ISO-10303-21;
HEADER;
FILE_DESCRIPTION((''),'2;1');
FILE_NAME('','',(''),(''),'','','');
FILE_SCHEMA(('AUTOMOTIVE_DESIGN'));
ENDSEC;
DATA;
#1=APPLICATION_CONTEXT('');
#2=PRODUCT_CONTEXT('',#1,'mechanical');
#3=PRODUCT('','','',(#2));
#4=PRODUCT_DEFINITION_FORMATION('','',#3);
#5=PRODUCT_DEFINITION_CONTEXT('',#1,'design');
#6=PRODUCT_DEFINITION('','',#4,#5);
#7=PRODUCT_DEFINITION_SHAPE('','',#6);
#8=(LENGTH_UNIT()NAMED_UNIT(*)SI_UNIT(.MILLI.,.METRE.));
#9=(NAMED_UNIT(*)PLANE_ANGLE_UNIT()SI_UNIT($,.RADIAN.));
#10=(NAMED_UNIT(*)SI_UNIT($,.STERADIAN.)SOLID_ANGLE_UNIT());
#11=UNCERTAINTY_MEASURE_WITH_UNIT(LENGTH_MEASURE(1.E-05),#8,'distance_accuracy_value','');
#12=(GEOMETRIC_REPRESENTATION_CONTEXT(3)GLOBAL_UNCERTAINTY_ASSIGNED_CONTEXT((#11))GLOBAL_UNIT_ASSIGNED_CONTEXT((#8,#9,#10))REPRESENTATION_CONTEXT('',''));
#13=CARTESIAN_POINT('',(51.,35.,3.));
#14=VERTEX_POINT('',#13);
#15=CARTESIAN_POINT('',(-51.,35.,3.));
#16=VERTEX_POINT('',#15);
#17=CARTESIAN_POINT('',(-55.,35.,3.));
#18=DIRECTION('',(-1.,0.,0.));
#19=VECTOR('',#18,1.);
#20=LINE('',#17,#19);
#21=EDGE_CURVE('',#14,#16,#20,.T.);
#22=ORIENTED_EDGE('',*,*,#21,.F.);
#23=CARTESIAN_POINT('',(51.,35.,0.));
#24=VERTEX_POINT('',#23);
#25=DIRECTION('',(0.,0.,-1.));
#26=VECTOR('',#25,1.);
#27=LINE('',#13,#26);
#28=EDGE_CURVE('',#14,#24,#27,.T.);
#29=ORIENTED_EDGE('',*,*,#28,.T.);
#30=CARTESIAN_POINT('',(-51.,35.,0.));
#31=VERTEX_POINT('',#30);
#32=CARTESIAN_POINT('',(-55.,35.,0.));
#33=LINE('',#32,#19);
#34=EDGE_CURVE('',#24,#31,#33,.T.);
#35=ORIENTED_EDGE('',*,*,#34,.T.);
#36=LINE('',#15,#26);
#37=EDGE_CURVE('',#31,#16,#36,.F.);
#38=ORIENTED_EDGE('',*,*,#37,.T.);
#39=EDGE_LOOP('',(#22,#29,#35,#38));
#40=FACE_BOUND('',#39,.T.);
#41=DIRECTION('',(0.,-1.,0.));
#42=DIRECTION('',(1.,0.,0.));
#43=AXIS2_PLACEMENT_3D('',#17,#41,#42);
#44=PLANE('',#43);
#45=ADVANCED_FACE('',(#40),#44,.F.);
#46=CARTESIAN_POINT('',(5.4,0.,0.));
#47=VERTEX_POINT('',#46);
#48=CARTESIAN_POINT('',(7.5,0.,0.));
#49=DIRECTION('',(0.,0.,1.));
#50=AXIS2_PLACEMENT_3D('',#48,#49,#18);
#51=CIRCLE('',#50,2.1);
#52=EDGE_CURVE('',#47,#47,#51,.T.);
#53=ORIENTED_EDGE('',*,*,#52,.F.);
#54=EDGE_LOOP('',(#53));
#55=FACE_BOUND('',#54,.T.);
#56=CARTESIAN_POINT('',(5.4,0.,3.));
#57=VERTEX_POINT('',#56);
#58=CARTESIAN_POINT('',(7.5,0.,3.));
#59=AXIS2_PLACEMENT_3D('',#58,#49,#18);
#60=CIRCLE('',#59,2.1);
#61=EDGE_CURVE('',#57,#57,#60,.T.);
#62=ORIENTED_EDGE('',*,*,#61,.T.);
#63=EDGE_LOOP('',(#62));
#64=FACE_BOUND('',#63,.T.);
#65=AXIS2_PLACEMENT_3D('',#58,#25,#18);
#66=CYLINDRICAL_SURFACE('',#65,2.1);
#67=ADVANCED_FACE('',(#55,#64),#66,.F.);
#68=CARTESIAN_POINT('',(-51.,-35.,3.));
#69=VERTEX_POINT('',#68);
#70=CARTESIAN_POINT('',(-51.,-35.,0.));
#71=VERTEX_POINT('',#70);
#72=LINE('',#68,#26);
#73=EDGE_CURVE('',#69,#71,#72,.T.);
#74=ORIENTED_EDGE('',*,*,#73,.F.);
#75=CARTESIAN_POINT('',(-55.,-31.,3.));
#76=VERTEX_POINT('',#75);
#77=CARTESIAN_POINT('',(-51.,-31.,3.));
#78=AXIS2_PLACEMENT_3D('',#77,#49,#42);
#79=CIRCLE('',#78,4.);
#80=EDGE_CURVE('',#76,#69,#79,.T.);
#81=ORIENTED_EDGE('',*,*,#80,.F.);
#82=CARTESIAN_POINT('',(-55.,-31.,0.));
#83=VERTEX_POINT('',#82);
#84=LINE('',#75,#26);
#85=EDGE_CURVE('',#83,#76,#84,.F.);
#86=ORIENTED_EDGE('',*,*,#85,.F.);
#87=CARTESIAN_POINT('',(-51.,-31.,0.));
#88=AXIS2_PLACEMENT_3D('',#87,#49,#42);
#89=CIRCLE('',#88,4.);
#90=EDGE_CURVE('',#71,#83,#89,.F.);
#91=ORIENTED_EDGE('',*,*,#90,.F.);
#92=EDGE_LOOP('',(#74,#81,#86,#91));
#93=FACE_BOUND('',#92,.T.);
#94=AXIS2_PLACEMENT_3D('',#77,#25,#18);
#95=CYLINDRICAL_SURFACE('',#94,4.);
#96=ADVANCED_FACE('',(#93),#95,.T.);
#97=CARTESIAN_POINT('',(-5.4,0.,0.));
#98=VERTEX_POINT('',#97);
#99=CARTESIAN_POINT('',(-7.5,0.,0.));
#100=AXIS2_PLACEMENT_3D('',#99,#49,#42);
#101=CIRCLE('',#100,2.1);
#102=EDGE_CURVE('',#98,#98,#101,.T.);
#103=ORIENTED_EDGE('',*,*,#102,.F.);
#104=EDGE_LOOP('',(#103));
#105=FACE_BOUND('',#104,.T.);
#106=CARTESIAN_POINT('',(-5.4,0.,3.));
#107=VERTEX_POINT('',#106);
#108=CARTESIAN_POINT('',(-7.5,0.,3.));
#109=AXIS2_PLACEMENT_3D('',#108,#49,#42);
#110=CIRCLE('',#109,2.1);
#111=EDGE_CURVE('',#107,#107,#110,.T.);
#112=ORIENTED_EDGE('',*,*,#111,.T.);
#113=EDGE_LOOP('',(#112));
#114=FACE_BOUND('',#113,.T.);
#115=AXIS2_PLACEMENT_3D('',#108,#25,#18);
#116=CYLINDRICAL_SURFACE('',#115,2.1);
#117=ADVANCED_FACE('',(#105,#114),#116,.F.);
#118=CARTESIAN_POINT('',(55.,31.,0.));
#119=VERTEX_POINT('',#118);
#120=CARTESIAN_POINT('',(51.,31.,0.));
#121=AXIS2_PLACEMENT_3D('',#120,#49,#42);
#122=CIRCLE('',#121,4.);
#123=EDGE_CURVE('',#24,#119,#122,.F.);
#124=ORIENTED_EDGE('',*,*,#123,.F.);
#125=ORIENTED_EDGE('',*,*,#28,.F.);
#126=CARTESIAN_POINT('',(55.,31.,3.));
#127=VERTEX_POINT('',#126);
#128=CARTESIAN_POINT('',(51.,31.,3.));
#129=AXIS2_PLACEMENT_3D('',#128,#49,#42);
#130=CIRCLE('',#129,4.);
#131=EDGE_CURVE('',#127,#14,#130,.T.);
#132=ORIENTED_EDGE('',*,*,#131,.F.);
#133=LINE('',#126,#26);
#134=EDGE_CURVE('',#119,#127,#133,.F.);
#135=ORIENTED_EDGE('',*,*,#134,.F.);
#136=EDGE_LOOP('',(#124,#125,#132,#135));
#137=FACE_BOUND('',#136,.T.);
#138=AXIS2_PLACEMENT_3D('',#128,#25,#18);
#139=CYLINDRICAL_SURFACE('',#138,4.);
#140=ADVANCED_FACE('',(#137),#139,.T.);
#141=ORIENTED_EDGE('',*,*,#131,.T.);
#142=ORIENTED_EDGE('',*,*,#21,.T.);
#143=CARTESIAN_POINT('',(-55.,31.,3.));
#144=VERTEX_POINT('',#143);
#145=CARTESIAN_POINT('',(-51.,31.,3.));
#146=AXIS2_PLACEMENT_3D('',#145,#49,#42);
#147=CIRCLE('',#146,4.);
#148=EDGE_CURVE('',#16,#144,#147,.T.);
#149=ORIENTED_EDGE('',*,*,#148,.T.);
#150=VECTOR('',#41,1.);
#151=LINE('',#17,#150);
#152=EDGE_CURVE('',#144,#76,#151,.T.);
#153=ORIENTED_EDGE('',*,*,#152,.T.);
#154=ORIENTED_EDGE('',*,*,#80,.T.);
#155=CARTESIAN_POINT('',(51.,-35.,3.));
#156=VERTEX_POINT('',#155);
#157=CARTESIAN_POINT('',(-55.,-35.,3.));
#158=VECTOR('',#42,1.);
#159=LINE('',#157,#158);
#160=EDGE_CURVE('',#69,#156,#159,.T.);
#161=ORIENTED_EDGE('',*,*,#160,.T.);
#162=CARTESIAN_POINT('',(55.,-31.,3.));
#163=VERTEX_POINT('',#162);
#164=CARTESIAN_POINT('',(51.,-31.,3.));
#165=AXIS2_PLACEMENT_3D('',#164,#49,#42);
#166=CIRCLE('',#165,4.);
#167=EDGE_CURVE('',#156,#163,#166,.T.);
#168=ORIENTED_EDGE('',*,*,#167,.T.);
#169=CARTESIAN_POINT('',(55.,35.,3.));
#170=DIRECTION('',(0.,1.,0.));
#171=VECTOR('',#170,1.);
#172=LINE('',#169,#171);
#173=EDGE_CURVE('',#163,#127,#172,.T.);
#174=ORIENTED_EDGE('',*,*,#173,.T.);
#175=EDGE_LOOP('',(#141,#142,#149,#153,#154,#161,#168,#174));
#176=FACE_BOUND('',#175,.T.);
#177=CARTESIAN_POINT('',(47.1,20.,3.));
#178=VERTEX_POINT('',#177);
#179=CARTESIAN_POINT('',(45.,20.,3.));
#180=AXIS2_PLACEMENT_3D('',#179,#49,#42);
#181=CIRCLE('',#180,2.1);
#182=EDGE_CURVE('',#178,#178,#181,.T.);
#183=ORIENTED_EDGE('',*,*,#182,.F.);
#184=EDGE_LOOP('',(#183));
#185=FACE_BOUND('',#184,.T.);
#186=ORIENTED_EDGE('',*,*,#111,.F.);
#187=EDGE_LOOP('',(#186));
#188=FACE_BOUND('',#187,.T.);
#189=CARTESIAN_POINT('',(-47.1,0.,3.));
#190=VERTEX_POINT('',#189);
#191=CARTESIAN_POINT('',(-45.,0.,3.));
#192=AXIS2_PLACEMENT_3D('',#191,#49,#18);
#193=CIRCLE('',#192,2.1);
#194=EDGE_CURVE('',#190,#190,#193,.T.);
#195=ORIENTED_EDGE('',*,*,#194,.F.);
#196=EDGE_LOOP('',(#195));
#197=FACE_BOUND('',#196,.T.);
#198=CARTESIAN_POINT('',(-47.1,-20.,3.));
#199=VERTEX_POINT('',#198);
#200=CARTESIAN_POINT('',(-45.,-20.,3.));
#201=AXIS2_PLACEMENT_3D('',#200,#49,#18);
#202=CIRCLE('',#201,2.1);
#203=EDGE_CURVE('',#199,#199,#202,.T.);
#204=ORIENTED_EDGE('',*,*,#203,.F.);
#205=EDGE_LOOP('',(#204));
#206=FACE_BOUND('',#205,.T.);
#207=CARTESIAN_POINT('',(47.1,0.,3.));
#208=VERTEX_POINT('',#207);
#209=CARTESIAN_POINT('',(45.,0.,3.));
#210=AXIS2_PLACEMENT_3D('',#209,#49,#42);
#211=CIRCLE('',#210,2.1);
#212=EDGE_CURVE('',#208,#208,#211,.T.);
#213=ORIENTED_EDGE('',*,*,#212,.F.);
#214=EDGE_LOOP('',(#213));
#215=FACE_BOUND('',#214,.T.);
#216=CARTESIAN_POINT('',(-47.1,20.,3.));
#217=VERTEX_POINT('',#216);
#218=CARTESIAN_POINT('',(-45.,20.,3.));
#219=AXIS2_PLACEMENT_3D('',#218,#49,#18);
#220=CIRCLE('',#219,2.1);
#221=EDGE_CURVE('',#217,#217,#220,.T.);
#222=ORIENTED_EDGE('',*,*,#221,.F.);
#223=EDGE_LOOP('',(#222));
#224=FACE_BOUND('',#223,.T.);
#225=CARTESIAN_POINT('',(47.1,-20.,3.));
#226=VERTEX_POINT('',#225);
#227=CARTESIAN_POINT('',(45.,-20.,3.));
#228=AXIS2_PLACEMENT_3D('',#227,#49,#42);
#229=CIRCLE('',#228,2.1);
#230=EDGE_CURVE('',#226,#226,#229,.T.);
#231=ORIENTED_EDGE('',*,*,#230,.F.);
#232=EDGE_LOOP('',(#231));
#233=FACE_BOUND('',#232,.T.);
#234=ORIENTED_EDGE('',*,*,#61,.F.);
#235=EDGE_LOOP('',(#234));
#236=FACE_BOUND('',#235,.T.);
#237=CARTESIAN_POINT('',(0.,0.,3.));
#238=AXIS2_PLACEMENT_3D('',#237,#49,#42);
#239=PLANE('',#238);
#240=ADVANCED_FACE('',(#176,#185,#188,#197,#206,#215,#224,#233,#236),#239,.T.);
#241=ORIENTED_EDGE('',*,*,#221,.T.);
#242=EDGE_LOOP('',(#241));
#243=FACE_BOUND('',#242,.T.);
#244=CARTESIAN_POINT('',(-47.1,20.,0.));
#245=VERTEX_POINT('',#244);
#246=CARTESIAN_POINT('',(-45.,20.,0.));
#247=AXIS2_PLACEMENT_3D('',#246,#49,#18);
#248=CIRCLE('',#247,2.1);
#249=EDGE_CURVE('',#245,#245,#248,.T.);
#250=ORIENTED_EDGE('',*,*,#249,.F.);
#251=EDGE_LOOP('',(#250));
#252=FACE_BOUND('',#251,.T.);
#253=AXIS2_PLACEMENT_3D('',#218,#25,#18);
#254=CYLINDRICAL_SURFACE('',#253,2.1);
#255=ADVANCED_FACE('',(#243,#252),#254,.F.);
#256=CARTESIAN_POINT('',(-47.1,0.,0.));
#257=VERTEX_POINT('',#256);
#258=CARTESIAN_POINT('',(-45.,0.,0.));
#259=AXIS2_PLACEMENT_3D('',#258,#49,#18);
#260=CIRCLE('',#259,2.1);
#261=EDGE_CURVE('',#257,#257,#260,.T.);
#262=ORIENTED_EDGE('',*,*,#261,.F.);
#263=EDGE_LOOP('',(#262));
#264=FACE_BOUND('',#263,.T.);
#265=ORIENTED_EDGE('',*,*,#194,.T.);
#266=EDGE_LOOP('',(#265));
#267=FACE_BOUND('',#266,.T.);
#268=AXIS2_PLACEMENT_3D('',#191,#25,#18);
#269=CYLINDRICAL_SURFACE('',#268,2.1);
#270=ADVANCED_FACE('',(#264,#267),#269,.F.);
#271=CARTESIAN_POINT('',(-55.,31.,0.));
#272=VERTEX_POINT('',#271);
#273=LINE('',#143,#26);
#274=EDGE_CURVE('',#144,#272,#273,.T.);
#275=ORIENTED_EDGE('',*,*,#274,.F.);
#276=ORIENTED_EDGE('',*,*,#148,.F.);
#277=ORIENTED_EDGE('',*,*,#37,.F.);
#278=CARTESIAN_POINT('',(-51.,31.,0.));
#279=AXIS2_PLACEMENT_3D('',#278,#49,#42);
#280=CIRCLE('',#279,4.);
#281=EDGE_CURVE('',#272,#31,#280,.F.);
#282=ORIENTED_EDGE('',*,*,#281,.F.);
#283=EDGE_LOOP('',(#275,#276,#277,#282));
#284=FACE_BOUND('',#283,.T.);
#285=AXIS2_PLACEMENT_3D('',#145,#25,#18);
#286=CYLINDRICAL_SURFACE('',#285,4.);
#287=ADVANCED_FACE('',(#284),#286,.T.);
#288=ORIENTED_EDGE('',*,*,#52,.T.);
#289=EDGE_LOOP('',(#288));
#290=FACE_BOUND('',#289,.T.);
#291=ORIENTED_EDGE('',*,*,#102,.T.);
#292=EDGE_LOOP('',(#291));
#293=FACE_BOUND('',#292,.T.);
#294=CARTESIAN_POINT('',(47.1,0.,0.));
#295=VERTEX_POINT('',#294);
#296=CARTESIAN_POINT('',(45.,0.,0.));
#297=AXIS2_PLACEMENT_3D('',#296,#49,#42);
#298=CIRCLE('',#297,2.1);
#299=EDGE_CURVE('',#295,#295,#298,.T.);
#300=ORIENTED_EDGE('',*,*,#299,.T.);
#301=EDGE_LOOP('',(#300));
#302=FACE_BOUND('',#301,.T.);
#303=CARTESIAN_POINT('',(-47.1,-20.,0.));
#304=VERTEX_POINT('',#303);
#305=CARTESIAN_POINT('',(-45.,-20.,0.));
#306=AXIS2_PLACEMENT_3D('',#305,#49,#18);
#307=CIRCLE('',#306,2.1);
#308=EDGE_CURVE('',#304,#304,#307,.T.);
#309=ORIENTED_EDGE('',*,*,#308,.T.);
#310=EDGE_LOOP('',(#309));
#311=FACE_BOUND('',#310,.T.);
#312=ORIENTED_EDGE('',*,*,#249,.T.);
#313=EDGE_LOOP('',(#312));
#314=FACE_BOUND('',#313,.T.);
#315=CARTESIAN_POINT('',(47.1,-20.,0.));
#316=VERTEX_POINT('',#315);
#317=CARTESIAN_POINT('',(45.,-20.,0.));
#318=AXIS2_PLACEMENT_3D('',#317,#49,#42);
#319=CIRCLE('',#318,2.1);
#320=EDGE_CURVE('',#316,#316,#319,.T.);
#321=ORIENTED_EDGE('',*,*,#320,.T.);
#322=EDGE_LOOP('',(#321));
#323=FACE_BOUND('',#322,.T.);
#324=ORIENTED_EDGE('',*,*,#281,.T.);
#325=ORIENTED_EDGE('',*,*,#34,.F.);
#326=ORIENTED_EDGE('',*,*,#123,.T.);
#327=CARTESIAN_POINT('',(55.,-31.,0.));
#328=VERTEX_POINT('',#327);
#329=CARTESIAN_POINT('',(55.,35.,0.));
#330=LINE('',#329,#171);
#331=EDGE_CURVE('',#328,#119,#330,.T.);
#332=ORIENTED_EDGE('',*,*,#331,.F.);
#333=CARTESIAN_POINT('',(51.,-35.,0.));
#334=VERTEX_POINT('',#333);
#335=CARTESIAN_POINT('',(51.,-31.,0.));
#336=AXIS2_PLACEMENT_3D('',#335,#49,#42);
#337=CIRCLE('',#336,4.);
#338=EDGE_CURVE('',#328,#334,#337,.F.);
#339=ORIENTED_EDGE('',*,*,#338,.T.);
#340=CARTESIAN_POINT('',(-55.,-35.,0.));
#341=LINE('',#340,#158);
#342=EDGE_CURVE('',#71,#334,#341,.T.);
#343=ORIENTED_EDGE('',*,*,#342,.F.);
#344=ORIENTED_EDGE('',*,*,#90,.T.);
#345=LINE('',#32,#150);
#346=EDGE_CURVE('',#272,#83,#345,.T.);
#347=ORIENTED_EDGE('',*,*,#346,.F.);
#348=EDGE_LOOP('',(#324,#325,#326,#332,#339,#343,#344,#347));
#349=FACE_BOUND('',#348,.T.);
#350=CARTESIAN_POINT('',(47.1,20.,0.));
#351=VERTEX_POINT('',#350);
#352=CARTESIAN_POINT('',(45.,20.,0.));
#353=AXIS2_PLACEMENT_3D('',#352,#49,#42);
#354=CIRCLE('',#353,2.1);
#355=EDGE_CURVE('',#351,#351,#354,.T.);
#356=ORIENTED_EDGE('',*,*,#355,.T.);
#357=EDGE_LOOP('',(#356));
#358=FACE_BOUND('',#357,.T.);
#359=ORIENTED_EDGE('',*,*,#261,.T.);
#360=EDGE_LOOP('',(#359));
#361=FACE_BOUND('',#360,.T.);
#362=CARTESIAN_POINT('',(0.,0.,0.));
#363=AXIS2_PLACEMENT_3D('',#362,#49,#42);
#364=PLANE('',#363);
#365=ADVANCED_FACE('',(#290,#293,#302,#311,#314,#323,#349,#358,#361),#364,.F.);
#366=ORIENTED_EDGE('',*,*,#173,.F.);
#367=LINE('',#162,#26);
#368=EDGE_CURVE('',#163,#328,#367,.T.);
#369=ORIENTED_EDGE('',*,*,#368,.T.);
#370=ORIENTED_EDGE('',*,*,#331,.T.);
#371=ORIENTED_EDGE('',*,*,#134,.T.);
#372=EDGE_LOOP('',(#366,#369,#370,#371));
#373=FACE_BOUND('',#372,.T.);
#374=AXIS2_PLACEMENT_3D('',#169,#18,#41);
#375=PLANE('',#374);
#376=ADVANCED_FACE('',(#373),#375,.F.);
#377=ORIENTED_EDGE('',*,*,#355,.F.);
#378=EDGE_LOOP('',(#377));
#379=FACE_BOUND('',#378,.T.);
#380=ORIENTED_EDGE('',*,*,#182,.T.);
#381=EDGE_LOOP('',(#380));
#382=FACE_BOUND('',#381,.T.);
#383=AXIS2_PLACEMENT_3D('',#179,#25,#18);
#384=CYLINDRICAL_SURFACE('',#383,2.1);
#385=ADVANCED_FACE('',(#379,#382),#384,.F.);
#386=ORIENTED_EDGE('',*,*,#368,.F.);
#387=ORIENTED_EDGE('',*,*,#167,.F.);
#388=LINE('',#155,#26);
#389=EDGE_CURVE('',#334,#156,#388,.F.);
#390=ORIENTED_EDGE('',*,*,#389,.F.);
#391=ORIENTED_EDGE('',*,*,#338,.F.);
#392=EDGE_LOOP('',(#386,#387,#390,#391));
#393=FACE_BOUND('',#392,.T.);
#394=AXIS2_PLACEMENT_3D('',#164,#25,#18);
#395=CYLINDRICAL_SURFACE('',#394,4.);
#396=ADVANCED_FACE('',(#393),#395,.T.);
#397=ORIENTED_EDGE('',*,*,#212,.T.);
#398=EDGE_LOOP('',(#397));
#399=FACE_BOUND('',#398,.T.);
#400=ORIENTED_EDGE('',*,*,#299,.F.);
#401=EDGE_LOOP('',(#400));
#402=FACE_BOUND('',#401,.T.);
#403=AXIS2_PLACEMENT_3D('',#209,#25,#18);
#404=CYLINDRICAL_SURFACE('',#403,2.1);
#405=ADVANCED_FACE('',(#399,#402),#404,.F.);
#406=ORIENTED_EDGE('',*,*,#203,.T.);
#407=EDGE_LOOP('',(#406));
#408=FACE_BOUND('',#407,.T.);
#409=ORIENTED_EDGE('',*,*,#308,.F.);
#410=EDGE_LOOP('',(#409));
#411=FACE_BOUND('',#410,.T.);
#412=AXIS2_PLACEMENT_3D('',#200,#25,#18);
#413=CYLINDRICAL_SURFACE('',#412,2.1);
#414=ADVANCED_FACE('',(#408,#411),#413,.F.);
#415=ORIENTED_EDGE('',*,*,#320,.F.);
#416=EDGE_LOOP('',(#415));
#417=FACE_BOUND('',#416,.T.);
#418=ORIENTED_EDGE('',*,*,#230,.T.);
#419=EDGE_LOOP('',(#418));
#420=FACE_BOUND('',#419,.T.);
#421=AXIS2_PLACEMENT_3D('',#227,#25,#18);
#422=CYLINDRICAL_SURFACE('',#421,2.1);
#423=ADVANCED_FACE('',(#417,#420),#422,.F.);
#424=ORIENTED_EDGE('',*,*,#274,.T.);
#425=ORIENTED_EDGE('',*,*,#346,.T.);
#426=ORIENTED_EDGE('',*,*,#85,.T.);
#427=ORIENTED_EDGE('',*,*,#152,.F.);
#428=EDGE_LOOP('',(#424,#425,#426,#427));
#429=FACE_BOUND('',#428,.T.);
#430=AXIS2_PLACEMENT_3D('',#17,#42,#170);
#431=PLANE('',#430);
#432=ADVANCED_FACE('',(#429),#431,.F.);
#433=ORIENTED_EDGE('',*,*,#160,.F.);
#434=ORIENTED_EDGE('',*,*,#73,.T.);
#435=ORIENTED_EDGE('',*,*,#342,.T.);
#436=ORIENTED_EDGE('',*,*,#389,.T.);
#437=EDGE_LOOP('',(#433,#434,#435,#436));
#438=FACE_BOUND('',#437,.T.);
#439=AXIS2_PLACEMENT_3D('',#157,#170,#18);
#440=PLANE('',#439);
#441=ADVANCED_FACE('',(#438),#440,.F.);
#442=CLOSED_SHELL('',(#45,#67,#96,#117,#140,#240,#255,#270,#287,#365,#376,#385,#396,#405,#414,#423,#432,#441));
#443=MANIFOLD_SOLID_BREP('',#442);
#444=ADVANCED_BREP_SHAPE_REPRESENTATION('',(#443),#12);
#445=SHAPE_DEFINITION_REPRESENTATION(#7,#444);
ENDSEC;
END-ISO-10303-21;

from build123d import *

# Parameters (mm, degrees)
SKETCH_1_W      = 110
SKETCH_1_H      = 70
SKETCH_1_R      = 2.1
EXTRUDE_1_DEPTH = 3
FILLET_1_R      = 4


with BuildPart() as part:
    # 草图1 → 凸台-拉伸1 (new body)
    with BuildSketch(Plane.XY):
        Rectangle(SKETCH_1_W, SKETCH_1_H)
        with Locations((45, 20)):
            Circle(SKETCH_1_R, mode=Mode.SUBTRACT)
        with Locations((45, 0)):
            Circle(SKETCH_1_R, mode=Mode.SUBTRACT)
        with Locations((45, -20)):
            Circle(SKETCH_1_R, mode=Mode.SUBTRACT)
        with Locations(Location((-45, 20, 0), (0, 0, 180))):
            Circle(SKETCH_1_R, mode=Mode.SUBTRACT)
        with Locations(Location((-45, 0, 0), (0, 0, 180))):
            Circle(SKETCH_1_R, mode=Mode.SUBTRACT)
        with Locations(Location((-45, -20, 0), (0, 0, 180))):
            Circle(SKETCH_1_R, mode=Mode.SUBTRACT)
        with Locations((-7.5, 0)):
            Circle(SKETCH_1_R, mode=Mode.SUBTRACT)
        with Locations(Location((7.5, 0, 0), (0, 0, 180))):
            Circle(SKETCH_1_R, mode=Mode.SUBTRACT)
    extrude(amount=EXTRUDE_1_DEPTH)

    # 圆角1
    fillet_1_edges = [part.edges().sort_by_distance(p)[0] for p in [
        (55, -35, 1.5),
        (-55, -35, 1.5),
        (-55, 35, 1.5),
        (55, 35, 1.5),
    ]]
    fillet(fillet_1_edges, radius=FILLET_1_R)


solid = part.part
